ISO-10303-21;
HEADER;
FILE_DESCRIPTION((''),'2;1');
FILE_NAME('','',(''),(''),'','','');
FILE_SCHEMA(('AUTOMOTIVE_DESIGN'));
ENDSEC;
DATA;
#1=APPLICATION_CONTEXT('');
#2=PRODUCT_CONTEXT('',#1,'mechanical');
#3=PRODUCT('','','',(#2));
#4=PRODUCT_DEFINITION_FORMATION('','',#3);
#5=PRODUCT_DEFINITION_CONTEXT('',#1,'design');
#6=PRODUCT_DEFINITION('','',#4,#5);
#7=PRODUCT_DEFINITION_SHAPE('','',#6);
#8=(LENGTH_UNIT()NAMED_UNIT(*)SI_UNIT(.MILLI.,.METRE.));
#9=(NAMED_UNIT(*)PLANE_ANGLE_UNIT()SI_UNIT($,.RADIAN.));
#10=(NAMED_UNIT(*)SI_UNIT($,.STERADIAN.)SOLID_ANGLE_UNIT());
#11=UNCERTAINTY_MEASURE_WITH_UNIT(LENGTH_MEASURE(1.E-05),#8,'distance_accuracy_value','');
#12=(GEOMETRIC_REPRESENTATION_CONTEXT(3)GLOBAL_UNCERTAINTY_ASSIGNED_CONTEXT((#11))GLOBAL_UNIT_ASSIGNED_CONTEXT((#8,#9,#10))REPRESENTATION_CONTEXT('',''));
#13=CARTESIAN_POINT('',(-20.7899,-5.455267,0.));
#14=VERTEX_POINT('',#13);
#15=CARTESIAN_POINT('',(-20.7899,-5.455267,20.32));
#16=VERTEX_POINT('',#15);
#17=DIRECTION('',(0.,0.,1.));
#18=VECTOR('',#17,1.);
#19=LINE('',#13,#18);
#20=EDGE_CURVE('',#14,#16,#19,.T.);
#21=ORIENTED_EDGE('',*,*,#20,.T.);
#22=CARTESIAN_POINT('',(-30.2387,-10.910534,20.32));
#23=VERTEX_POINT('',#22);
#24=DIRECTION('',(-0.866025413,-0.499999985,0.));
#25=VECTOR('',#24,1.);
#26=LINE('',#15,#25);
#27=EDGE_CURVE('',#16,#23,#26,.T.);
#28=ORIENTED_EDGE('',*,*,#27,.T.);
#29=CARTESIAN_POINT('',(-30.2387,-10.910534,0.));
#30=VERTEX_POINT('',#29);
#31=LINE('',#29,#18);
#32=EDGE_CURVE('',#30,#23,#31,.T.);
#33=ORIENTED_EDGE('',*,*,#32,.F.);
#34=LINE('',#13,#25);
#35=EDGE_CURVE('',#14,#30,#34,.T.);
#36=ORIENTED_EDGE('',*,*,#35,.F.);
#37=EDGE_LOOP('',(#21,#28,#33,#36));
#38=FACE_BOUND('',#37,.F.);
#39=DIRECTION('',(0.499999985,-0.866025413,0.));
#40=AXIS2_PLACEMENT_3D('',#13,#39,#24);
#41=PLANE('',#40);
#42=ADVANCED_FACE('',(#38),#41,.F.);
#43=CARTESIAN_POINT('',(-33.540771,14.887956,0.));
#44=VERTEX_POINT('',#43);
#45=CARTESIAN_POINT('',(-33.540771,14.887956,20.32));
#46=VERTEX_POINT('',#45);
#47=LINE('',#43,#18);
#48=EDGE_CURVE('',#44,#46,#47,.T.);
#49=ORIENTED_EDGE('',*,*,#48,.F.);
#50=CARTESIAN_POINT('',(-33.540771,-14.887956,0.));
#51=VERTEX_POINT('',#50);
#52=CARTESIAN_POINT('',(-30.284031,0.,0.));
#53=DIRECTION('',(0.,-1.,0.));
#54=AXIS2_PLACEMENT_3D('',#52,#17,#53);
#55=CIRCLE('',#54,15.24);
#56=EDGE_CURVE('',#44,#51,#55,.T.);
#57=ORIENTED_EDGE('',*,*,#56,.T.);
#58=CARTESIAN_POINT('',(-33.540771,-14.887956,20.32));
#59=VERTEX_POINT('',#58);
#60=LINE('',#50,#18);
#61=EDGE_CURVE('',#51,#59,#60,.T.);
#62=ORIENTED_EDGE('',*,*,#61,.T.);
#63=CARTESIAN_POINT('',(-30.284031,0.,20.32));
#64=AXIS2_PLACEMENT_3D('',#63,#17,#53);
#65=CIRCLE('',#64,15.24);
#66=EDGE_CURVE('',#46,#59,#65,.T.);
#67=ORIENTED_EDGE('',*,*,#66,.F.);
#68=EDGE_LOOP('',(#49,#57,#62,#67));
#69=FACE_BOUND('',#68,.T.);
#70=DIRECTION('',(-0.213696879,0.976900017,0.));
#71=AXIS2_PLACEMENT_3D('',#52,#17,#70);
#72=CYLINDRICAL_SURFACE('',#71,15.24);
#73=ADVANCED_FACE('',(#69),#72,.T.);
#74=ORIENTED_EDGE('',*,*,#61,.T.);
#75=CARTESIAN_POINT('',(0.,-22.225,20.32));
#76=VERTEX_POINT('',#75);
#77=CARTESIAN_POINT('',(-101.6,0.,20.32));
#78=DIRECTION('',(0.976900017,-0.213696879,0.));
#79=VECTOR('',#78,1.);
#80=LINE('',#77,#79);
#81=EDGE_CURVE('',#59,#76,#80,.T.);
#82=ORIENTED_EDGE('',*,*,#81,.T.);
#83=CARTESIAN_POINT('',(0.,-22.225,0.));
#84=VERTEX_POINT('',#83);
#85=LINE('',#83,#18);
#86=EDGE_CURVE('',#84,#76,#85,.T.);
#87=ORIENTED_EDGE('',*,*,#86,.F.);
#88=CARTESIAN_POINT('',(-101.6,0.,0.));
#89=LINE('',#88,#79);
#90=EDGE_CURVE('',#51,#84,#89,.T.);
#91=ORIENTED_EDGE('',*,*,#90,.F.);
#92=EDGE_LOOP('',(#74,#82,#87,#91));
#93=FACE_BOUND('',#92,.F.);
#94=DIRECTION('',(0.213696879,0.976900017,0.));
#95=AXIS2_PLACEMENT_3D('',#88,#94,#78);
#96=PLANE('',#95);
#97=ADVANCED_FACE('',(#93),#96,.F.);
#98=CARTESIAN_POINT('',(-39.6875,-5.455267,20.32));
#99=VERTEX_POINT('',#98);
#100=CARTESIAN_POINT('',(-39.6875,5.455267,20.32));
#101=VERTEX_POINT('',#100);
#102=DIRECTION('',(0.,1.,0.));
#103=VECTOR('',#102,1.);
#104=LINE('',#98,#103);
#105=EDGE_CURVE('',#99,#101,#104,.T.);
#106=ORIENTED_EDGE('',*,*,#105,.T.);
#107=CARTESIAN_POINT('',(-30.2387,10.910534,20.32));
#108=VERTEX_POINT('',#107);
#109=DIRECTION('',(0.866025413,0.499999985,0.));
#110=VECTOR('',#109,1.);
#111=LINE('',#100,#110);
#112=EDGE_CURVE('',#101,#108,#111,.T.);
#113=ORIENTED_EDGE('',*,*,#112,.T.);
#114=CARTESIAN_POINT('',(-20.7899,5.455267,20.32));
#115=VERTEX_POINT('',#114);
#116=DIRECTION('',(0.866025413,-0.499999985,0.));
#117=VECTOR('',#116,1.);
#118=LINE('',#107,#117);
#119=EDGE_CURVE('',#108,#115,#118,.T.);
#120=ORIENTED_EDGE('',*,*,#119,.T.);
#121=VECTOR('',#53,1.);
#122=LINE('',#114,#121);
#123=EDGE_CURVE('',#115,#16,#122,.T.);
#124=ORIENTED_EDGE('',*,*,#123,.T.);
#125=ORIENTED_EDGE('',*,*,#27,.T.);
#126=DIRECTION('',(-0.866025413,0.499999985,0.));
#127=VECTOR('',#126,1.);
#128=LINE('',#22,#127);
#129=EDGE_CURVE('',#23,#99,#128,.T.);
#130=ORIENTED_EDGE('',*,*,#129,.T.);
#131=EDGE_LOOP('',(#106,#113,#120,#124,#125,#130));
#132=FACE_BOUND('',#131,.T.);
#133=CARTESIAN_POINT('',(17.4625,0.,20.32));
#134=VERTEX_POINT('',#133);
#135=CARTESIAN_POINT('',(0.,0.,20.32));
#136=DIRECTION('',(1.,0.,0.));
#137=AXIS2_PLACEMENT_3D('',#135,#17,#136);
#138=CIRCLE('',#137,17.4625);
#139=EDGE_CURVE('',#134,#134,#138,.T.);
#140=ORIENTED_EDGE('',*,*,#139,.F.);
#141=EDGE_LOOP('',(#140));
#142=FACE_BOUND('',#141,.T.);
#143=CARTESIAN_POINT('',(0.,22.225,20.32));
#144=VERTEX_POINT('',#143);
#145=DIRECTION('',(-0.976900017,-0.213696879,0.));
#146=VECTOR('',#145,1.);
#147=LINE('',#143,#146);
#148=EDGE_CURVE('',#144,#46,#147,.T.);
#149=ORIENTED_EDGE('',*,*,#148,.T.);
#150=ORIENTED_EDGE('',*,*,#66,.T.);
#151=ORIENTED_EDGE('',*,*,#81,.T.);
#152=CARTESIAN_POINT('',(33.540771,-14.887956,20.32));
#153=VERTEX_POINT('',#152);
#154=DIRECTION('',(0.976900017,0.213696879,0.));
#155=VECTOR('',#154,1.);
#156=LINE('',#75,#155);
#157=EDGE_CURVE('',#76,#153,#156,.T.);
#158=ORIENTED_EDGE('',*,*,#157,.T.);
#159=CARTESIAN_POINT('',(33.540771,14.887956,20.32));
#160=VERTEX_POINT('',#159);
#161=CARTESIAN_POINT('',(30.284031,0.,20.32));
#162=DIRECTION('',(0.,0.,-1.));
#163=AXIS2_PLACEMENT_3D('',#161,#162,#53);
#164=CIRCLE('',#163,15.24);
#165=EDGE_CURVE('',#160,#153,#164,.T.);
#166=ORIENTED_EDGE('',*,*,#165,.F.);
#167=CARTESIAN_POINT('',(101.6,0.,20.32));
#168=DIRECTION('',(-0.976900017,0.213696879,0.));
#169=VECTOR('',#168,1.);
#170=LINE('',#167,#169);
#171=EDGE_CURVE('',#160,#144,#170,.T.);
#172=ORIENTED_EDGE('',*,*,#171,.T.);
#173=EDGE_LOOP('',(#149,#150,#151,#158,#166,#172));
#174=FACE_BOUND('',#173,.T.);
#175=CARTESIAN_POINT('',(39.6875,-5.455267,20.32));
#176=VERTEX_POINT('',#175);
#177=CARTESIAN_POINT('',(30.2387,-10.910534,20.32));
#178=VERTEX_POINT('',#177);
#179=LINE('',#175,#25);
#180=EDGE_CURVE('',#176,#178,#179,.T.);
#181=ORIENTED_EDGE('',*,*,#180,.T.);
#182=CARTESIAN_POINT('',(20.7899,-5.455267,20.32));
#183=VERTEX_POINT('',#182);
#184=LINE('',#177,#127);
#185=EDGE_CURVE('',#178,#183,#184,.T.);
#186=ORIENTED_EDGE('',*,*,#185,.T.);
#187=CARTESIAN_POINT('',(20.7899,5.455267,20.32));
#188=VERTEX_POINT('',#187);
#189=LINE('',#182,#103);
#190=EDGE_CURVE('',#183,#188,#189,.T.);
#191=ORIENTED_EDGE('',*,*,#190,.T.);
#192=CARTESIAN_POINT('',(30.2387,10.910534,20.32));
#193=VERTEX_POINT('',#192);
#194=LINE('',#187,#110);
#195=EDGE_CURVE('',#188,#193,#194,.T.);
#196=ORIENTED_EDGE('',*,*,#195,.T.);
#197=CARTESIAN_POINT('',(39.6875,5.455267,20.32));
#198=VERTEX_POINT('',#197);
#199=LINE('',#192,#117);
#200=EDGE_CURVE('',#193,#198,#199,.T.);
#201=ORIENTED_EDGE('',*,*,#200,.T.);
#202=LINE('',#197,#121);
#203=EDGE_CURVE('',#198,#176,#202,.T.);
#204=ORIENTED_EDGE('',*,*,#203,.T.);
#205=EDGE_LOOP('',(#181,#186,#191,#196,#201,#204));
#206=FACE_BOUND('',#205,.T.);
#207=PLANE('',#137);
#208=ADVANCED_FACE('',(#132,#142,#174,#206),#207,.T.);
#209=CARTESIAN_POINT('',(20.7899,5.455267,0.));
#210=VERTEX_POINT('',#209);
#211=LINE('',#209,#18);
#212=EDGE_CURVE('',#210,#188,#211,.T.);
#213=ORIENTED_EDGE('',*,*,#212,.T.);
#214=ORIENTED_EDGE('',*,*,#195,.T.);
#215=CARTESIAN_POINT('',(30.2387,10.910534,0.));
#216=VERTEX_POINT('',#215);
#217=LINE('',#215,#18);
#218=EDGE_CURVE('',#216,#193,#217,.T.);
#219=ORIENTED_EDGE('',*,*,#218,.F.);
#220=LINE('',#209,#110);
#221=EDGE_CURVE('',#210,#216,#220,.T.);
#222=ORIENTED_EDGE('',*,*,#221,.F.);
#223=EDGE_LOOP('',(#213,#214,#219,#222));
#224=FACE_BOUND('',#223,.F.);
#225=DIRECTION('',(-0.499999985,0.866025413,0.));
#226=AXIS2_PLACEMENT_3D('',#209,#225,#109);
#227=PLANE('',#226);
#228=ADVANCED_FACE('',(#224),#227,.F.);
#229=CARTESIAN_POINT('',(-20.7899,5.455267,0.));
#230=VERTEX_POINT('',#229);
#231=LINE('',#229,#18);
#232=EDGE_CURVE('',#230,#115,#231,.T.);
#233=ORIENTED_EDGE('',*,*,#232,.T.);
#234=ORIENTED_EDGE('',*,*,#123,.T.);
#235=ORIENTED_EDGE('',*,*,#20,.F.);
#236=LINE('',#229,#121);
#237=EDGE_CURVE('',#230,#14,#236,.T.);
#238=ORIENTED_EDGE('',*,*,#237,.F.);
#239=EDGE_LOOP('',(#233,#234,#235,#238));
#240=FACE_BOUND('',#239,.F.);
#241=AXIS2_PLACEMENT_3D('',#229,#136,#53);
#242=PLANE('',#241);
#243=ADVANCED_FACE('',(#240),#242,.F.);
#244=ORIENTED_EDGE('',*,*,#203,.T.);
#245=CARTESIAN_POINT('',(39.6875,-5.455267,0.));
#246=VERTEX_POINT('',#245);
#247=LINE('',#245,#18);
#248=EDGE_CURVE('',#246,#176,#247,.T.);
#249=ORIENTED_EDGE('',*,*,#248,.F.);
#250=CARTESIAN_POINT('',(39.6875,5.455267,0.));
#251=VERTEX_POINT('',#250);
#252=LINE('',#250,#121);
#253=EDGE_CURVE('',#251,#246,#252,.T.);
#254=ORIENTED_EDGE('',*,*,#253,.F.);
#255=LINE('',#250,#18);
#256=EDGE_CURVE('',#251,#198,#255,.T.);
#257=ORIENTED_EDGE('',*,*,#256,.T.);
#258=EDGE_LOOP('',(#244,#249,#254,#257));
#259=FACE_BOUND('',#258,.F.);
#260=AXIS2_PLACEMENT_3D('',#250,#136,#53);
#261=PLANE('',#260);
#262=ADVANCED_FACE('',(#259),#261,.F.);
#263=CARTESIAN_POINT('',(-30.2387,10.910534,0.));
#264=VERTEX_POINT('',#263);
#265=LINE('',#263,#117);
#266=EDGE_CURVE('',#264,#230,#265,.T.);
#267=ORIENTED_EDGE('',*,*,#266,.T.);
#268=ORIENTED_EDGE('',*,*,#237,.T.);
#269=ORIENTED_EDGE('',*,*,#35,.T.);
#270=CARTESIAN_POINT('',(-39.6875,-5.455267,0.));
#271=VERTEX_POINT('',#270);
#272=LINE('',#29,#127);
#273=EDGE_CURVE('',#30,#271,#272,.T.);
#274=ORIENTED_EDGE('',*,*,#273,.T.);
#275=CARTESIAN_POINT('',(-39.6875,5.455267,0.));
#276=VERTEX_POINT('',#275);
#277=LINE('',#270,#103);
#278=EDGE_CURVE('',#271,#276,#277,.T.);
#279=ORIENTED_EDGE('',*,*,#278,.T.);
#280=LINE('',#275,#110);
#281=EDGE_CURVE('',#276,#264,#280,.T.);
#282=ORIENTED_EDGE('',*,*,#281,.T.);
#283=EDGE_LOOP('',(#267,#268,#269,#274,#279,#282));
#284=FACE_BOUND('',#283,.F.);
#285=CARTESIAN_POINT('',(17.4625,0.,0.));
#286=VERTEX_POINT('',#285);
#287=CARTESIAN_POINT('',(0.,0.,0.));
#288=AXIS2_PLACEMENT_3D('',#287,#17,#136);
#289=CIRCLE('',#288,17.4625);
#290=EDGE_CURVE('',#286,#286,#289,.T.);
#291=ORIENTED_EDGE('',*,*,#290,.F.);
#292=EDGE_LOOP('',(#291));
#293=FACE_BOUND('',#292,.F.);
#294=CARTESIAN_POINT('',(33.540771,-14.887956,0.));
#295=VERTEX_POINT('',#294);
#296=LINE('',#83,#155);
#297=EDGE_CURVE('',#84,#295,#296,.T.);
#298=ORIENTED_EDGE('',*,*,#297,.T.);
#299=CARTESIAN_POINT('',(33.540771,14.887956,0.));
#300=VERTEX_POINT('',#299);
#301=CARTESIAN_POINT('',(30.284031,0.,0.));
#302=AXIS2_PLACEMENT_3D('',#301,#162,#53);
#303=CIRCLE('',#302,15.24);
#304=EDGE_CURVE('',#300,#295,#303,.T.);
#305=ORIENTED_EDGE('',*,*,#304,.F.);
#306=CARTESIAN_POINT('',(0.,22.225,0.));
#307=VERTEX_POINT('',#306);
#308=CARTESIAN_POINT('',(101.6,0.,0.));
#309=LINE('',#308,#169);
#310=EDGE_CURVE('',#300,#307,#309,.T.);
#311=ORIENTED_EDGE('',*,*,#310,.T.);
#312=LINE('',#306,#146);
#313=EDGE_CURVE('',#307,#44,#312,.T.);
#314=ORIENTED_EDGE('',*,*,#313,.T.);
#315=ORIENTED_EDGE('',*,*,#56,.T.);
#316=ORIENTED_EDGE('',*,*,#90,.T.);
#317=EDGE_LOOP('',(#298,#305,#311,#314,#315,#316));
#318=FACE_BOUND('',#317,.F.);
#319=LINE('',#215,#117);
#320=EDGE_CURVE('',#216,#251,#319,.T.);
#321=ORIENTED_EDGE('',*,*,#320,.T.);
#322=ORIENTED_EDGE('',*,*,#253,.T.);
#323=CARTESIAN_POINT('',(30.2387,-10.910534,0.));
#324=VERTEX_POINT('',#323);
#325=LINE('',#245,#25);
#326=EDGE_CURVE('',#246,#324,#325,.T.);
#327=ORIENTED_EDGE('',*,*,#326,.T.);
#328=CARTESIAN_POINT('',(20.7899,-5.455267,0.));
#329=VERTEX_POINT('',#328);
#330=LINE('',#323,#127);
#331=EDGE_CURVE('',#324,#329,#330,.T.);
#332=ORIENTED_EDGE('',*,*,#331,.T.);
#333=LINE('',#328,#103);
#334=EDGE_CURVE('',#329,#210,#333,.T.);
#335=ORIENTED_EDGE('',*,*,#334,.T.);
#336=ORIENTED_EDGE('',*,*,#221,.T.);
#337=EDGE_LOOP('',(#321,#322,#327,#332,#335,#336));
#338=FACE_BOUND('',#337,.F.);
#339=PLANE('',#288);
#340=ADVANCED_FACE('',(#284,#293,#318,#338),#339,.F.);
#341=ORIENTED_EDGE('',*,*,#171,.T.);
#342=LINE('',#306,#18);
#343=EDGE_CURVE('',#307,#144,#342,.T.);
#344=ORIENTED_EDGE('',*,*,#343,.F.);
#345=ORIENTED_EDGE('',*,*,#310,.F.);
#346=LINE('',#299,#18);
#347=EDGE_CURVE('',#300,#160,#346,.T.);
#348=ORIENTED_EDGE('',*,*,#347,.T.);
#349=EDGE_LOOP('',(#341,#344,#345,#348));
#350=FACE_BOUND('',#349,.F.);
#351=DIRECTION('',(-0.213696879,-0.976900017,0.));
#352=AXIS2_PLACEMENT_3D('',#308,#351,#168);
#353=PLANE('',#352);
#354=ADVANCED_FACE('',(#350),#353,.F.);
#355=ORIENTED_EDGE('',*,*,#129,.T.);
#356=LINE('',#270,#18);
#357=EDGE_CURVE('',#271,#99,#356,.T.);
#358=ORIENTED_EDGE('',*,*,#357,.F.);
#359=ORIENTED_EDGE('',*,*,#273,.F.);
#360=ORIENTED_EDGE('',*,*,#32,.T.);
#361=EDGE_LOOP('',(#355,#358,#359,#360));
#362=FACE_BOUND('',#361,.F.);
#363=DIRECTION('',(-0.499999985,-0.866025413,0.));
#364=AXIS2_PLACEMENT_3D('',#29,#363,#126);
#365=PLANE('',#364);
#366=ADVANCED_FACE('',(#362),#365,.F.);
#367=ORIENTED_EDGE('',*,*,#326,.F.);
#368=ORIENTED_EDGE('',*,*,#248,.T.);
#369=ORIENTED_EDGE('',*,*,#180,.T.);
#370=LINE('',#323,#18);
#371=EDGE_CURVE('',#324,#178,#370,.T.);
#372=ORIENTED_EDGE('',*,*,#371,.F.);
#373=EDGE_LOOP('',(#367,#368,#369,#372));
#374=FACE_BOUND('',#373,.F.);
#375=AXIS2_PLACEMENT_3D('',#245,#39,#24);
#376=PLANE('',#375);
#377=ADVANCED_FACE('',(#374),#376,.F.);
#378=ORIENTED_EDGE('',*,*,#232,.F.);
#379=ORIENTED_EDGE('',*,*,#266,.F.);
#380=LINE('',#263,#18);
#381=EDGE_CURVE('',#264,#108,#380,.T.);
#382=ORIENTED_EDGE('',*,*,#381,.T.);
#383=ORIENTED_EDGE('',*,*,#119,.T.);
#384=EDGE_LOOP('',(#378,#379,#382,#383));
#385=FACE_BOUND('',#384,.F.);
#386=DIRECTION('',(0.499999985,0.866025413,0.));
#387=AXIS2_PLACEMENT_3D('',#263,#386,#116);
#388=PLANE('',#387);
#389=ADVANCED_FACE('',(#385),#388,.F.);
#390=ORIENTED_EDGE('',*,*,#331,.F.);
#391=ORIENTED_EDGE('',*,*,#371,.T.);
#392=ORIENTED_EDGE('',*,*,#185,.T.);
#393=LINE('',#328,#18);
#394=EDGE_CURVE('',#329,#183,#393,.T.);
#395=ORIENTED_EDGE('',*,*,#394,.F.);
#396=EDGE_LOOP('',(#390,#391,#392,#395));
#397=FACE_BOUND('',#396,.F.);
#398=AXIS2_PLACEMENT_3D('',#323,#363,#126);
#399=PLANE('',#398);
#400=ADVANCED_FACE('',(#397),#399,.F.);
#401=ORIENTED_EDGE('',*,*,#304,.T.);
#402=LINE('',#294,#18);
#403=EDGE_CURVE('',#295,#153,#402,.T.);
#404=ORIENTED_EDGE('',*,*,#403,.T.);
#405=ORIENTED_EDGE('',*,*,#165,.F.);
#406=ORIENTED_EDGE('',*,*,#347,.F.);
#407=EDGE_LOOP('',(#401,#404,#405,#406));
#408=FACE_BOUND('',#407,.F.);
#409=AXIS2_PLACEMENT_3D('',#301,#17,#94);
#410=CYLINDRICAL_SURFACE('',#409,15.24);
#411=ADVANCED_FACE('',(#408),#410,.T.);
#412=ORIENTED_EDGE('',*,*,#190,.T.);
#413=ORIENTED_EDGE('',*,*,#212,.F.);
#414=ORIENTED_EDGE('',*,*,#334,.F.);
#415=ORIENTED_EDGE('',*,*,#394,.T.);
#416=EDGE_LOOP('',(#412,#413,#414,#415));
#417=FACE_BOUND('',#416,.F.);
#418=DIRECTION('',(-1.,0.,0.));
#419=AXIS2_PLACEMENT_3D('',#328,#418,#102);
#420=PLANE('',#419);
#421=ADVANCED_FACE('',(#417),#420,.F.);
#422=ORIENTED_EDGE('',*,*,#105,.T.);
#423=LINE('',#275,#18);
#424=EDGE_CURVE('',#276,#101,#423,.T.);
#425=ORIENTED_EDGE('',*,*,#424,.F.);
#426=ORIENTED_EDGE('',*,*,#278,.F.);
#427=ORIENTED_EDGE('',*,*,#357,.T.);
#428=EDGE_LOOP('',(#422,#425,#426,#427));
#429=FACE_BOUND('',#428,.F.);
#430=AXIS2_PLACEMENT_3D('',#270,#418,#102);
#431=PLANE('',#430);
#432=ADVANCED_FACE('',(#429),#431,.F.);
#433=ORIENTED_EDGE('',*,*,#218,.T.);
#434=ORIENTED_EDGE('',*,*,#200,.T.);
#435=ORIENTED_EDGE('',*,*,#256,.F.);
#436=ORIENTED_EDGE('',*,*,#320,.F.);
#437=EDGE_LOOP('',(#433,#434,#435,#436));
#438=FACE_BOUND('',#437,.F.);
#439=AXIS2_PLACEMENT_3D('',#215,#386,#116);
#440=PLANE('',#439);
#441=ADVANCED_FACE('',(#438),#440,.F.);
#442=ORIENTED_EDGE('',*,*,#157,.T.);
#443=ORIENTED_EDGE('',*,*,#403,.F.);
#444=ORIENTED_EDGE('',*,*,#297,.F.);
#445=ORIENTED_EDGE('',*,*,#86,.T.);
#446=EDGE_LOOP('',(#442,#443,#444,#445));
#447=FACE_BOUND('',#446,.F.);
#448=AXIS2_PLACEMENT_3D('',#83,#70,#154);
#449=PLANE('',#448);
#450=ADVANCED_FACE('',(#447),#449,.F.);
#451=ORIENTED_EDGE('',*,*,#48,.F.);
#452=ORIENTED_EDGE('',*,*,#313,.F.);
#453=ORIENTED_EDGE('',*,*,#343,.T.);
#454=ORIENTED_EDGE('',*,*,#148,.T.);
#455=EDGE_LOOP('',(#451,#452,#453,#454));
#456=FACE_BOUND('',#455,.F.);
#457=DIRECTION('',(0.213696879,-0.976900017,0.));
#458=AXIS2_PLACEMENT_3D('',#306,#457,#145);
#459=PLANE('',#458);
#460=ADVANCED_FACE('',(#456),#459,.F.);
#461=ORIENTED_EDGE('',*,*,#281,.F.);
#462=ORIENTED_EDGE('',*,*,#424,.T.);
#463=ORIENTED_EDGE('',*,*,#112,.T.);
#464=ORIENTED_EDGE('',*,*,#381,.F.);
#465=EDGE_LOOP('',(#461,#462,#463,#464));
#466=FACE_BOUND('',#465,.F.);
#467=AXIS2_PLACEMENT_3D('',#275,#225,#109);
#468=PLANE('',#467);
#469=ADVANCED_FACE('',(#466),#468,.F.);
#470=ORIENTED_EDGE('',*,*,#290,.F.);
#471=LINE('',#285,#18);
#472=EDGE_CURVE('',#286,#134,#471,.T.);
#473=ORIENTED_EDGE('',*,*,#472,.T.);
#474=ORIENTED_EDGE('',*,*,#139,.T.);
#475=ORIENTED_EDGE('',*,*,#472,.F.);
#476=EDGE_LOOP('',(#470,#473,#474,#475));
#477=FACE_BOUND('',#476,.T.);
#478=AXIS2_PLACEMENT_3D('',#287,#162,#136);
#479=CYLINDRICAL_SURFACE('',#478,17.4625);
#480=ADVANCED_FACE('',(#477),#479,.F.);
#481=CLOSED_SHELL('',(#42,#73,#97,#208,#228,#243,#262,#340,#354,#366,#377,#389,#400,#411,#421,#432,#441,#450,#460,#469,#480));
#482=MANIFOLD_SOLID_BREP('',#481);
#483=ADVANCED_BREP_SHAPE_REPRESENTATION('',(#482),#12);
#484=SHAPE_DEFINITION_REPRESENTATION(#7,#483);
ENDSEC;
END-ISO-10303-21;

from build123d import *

# Parameters (mm, degrees)
F0_R     = 17.4625
F1_DEPTH = 20.32
F2_R     = 15.24


with BuildPart() as f1:
    # F0 (on Top) → F1 (new body)
    with BuildSketch(Plane.XY):
        Polygon((101.6, 0), (0, 22.225), (-101.6, 0), (0, -22.225), align=None)
        Polygon((-30.2387, -10.910534), (-39.6875, -5.455267), (-39.6875, 5.455267), (-30.2387, 10.910534), (-20.7899, 5.455267), (-20.7899, -5.455267), align=None, mode=Mode.SUBTRACT)
        Circle(F0_R, mode=Mode.SUBTRACT)
        Polygon((20.7899, -5.455267), (20.7899, 5.455267), (30.2387, 10.910534), (39.6875, 5.455267), (39.6875, -5.455267), (30.2387, -10.910534), align=None, mode=Mode.SUBTRACT)
    extrude(amount=F1_DEPTH)

    # F2
    f2_edges = [f1.edges().sort_by_distance(p)[0] for p in [
        (101.6, 0, 10.16),
        (-101.6, 0, 10.16),
    ]]
    fillet(f2_edges, radius=F2_R)


solid = f1.part
